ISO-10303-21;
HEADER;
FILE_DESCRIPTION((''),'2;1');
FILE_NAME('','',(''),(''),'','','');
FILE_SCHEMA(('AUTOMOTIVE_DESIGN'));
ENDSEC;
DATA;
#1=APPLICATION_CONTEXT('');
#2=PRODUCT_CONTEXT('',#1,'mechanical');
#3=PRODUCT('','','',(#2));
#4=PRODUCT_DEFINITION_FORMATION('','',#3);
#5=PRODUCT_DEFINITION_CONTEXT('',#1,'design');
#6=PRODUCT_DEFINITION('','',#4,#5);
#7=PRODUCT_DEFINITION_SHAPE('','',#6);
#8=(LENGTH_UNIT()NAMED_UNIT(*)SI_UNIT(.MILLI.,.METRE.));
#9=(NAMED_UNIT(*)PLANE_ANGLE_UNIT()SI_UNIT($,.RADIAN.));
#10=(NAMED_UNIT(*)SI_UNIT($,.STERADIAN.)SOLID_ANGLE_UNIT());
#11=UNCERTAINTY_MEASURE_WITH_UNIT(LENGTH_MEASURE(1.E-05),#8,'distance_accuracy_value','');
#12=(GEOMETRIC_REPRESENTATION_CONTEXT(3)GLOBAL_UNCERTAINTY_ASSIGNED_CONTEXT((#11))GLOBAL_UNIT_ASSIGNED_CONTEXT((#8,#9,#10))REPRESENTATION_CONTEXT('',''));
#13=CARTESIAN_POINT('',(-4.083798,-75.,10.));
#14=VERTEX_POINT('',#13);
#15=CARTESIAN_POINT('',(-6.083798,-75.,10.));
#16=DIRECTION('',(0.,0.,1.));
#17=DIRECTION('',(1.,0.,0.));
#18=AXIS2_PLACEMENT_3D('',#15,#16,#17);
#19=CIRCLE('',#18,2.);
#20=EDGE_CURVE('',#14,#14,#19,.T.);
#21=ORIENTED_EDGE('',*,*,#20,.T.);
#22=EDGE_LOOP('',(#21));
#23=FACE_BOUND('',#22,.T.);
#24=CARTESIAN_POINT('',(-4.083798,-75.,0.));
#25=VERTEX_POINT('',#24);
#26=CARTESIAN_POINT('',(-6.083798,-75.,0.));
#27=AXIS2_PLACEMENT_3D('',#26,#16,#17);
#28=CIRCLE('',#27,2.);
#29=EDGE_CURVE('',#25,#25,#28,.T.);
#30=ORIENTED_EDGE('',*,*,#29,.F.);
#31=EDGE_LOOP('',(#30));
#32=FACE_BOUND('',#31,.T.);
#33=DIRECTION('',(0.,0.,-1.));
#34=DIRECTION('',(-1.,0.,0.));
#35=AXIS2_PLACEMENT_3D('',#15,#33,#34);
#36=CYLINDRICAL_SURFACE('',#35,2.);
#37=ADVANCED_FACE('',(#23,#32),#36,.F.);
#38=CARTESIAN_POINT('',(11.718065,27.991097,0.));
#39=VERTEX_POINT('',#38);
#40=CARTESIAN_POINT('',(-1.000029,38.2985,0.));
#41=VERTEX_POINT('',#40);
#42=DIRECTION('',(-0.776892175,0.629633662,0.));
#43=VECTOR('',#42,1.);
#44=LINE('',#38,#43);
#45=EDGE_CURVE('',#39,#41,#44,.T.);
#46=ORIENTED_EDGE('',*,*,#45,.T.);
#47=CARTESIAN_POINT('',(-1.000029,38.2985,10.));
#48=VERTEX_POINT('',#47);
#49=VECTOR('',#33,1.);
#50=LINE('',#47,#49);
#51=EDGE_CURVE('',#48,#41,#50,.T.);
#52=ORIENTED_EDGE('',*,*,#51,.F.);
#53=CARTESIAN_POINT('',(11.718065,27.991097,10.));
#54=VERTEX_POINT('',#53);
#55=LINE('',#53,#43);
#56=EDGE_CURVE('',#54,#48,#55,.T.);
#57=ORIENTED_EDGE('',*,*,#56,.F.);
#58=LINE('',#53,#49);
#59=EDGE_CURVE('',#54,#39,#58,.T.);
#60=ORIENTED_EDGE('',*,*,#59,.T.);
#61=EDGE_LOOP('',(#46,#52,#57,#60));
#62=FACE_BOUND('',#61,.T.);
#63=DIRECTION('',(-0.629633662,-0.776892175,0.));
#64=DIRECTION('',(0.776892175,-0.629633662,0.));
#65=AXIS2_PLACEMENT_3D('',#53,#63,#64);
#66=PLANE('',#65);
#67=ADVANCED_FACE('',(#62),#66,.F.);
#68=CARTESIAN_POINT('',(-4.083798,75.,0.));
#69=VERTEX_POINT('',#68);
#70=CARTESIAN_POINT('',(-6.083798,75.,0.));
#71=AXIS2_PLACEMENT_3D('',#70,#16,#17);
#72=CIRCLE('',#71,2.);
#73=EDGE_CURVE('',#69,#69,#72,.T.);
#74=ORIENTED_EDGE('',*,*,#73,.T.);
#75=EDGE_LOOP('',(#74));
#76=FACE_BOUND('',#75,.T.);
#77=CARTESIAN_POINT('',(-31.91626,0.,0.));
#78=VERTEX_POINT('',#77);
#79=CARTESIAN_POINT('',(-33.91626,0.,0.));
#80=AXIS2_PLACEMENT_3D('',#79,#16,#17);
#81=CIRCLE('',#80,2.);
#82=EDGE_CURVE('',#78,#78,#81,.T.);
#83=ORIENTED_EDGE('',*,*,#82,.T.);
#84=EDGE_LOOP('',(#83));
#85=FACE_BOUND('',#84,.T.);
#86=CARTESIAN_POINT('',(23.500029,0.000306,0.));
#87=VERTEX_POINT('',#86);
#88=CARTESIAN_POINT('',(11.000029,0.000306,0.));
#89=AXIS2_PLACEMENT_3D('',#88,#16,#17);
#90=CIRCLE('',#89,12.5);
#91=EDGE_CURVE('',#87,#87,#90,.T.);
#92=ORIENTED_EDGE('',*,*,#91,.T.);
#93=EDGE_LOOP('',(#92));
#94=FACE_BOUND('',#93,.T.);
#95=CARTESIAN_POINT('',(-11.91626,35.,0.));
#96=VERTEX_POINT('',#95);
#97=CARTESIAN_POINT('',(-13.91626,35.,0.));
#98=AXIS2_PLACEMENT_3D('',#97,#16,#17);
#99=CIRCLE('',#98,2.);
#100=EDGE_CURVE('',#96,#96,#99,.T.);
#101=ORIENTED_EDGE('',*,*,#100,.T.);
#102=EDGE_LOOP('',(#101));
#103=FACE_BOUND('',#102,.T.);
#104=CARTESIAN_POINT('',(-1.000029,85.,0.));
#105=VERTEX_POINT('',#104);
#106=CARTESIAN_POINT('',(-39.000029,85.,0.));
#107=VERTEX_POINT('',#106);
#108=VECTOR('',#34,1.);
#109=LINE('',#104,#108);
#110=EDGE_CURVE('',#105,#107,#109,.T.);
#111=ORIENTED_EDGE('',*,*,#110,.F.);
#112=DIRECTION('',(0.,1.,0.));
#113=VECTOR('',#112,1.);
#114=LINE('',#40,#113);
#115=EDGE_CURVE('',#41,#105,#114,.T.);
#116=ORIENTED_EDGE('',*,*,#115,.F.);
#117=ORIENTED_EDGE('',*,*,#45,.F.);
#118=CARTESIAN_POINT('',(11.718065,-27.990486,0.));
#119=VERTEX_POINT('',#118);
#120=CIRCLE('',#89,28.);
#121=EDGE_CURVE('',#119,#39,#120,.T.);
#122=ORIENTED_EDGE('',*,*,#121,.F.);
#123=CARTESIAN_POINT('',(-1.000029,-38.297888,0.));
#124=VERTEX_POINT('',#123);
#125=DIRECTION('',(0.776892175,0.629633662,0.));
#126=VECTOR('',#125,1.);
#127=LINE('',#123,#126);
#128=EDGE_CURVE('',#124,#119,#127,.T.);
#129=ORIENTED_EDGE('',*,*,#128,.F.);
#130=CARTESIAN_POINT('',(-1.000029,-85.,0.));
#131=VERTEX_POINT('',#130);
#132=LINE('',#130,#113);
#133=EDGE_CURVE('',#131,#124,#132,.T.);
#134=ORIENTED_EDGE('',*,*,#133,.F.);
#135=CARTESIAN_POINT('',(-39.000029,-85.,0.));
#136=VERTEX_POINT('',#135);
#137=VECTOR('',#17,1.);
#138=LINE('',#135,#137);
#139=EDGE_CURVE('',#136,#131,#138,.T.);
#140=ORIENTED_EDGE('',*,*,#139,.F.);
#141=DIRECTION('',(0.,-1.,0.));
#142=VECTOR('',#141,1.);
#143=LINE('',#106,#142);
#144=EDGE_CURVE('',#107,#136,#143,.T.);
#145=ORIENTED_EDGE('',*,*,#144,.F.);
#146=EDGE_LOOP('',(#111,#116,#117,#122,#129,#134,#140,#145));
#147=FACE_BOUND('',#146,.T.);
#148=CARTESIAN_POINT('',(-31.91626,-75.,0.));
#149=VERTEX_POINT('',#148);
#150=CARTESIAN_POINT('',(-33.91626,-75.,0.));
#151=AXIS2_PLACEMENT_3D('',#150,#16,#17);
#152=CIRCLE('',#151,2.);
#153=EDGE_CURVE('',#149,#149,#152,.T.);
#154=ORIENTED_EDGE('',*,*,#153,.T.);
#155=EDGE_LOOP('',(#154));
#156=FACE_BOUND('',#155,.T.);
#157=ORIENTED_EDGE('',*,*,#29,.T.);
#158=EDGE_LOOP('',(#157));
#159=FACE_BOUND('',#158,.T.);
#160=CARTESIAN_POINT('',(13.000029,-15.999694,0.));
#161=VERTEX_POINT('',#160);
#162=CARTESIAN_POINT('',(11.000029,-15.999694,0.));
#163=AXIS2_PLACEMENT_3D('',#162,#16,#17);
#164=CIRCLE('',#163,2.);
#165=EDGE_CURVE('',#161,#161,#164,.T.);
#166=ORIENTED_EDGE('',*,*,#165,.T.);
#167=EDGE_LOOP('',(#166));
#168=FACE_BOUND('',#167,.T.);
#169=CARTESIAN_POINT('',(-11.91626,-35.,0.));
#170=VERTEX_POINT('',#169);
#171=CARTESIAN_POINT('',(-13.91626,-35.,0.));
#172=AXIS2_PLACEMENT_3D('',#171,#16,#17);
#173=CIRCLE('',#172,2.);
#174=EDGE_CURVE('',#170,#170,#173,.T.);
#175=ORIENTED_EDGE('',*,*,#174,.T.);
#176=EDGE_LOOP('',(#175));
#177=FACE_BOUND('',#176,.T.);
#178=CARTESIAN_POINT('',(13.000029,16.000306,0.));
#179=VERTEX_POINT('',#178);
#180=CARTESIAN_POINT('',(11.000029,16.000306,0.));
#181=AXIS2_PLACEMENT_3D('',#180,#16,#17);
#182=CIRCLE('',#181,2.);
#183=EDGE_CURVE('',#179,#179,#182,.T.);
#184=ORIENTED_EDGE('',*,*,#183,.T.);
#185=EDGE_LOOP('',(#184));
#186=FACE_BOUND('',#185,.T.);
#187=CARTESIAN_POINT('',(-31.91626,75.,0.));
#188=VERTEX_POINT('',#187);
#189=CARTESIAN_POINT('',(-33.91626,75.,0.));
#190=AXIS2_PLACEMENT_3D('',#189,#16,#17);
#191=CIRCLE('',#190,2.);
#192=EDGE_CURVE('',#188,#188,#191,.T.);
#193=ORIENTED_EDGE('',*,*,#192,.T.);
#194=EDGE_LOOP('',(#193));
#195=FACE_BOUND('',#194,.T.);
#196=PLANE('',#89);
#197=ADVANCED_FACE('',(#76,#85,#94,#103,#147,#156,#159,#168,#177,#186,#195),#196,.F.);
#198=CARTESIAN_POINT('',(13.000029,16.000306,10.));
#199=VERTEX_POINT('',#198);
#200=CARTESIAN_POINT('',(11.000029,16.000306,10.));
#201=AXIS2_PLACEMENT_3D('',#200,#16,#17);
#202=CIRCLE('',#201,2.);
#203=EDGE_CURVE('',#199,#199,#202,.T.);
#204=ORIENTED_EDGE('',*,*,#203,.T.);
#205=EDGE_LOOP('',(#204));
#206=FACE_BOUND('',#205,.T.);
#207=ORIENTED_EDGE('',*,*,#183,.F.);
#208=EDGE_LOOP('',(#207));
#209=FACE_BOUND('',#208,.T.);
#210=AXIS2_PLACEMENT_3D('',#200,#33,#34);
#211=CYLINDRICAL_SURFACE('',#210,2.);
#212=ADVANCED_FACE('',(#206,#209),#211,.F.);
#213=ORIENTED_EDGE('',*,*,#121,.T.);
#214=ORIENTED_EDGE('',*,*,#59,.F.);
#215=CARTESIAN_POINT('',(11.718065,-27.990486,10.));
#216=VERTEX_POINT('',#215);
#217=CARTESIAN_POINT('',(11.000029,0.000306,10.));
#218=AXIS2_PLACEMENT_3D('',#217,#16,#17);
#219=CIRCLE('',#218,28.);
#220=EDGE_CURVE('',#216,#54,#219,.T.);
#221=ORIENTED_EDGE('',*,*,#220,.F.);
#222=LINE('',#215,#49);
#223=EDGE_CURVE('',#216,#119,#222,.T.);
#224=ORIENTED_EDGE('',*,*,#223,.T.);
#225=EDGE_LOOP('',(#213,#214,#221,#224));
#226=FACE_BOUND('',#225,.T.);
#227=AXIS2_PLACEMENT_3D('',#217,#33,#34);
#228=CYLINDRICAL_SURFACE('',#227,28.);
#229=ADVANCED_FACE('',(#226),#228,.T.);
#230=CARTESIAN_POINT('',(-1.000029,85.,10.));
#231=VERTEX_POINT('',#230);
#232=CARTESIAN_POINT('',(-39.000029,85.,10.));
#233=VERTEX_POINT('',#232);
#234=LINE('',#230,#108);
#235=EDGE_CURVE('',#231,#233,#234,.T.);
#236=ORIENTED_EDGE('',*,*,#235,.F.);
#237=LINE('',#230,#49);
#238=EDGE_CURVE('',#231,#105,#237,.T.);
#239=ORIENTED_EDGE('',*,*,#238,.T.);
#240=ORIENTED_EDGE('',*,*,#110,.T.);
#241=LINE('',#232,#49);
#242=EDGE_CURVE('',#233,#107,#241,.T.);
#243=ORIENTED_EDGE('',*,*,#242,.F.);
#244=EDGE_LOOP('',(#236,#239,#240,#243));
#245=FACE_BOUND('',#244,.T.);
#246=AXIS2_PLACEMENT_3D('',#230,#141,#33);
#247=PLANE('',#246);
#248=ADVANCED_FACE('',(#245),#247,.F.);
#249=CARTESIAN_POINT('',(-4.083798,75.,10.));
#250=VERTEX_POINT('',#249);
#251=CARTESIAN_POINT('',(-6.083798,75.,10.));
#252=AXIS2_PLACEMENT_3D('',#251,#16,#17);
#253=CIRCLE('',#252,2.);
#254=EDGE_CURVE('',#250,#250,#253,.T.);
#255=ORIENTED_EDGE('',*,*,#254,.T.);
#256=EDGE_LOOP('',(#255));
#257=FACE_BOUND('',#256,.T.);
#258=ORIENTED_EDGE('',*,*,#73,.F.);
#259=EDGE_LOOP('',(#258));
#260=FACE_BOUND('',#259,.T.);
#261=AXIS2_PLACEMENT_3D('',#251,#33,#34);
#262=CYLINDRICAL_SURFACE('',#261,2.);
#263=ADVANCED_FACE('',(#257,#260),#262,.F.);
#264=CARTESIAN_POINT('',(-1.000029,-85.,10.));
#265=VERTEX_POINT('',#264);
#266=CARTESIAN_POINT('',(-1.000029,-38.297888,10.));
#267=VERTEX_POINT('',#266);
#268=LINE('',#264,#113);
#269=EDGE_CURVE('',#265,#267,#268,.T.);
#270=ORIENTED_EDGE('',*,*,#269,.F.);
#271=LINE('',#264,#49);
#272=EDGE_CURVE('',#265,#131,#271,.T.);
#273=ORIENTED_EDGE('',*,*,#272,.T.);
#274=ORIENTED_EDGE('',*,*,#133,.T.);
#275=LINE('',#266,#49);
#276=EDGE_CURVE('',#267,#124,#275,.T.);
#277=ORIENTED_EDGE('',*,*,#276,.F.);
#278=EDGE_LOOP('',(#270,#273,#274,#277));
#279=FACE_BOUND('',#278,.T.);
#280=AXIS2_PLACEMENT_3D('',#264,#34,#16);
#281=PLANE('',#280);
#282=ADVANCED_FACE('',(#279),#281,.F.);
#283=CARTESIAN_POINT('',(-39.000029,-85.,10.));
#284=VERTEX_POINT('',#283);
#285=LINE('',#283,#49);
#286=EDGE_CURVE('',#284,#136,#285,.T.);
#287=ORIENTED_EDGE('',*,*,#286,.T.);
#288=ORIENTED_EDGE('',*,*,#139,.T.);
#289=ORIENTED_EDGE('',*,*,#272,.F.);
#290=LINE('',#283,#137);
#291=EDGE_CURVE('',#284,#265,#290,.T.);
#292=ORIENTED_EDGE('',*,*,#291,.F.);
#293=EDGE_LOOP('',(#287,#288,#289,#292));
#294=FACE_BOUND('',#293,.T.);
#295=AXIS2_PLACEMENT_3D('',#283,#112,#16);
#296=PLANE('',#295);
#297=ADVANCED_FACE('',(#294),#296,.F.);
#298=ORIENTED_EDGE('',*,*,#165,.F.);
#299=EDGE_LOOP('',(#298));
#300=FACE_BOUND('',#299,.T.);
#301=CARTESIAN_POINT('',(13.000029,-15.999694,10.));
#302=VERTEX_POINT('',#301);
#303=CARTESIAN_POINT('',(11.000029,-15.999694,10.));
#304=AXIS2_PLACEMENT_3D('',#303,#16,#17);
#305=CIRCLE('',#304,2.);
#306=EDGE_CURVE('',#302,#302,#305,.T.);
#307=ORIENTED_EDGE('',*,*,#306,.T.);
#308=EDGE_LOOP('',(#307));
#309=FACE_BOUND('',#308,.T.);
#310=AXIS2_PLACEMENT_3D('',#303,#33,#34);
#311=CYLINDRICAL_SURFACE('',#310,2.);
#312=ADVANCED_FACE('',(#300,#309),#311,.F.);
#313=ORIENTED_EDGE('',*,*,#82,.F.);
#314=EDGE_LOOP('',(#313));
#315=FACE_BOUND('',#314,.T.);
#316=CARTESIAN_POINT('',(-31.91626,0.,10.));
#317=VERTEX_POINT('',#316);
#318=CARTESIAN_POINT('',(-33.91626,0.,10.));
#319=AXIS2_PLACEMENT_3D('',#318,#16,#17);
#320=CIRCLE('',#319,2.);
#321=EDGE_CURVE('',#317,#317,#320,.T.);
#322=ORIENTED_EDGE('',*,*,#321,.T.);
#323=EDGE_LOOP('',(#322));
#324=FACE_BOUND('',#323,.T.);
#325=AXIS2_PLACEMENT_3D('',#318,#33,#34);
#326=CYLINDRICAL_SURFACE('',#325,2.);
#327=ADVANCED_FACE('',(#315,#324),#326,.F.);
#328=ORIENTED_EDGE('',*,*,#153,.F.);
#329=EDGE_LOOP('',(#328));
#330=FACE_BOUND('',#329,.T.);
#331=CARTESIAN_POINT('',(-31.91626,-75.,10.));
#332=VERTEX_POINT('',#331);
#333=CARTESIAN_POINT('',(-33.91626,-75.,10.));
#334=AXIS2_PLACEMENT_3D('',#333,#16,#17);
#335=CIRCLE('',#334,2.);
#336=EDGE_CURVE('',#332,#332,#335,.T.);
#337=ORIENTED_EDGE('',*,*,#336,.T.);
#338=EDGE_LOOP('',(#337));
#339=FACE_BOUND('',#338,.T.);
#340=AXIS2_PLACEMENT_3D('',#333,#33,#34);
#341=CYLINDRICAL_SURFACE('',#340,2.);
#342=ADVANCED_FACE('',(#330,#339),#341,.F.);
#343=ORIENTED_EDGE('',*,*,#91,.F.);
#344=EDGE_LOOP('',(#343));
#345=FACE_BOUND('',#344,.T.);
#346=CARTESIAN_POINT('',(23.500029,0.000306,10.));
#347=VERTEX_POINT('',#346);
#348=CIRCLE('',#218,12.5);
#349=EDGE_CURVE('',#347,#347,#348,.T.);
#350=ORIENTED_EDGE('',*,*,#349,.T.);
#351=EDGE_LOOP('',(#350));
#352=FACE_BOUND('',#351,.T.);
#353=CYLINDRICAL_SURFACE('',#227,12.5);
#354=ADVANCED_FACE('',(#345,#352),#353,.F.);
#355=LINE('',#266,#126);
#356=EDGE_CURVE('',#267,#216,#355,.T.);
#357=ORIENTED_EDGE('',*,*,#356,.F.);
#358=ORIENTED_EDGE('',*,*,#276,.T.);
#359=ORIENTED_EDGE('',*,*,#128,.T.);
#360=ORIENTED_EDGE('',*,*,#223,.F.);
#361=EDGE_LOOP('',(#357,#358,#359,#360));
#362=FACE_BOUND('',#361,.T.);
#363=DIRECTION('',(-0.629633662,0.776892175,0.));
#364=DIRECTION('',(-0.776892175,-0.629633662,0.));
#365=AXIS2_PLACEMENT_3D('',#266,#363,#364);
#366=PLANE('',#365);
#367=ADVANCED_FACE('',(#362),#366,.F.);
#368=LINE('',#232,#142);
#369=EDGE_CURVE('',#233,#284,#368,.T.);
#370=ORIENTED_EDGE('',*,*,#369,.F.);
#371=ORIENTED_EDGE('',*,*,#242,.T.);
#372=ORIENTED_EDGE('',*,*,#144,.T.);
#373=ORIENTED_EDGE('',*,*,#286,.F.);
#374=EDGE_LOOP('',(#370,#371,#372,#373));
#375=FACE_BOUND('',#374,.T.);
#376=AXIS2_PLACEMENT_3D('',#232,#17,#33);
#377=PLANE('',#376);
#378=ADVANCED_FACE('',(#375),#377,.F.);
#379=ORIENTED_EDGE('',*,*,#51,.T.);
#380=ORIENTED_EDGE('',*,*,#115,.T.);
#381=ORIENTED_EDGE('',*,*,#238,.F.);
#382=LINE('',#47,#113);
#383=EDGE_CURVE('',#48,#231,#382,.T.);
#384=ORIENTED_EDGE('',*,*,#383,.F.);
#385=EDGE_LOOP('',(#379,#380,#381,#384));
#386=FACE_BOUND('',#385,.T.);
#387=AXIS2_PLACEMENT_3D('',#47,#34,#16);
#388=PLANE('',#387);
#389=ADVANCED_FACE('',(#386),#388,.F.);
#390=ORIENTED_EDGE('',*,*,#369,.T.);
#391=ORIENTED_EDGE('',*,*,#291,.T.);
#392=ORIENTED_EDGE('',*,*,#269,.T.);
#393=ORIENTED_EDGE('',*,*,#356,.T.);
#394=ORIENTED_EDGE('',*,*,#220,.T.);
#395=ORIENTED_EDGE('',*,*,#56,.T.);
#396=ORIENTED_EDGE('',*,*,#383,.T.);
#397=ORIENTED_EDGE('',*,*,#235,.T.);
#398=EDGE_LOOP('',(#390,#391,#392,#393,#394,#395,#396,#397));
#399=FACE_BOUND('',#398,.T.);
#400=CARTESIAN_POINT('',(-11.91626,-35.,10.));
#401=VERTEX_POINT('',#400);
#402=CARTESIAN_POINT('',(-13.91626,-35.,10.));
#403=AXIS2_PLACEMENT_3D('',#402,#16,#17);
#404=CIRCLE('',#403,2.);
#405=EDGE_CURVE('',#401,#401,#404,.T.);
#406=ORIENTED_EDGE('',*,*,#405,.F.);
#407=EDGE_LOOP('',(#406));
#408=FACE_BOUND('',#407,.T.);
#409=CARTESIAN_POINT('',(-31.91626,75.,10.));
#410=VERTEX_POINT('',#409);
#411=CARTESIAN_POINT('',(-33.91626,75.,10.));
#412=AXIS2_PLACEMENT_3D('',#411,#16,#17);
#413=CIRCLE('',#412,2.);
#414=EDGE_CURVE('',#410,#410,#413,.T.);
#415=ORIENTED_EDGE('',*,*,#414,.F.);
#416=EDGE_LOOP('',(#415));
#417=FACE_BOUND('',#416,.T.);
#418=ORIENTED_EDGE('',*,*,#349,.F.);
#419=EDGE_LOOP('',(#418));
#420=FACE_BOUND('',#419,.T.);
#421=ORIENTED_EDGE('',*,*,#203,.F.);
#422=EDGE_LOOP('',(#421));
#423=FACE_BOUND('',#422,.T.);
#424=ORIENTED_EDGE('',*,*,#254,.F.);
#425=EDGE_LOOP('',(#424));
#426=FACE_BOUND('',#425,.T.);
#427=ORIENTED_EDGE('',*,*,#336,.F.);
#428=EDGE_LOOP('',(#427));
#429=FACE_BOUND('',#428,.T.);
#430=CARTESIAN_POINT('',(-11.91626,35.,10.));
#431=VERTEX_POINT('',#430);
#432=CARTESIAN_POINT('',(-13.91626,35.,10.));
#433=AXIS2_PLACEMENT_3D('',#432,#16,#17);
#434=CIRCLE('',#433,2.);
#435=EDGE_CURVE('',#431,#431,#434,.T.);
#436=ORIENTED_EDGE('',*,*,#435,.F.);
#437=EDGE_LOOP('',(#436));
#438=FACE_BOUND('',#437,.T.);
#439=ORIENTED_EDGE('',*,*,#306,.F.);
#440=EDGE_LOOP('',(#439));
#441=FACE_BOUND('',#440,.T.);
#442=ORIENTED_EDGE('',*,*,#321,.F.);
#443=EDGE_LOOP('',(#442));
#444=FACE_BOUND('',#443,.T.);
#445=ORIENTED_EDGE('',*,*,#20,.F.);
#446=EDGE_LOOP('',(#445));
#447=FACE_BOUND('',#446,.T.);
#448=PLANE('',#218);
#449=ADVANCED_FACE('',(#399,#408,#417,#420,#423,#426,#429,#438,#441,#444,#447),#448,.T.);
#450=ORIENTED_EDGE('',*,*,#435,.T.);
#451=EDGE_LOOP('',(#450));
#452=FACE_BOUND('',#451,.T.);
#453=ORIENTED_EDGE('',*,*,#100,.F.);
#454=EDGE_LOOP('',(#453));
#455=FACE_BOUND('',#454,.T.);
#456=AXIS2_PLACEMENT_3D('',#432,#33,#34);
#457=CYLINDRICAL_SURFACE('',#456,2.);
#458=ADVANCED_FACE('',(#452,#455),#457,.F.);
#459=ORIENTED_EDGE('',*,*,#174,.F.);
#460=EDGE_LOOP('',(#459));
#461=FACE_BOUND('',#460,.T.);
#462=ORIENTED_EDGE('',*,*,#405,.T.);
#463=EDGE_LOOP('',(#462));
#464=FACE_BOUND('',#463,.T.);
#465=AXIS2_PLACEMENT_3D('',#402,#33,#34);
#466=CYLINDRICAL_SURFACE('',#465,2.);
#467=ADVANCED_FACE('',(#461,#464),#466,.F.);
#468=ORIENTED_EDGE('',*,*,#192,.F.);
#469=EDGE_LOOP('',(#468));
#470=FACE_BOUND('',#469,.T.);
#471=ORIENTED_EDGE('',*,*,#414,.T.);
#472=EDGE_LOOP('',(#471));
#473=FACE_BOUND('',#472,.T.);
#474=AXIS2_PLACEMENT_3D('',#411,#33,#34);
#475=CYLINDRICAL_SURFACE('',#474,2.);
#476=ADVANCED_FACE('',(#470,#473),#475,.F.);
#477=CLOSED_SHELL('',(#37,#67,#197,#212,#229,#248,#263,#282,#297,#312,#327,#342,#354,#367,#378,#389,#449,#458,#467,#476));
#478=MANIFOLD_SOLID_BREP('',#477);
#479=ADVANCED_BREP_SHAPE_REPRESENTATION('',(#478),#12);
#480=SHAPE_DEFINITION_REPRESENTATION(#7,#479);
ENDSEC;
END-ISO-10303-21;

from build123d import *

# Parameters (mm, degrees)
SKETCH1_R           = 2
SKETCH1_R_2         = 12.5
BOSS_EXTRUDE1_DEPTH = 10


with BuildPart() as part:
    # Sketch1 → Boss-Extrude1 (new body)
    with BuildSketch(Plane.XY):
        with BuildLine():
            Line((-1.000028724, -38.297888442), (11.718065373, -27.990486171))
            ThreePointArc((11.718065373, -27.990486171), (39.000028724, 0.00030559), (11.718065373, 27.99109735))
            Line((11.718065373, 27.99109735), (-1.000028724, 38.298499621))
            Line((-1.000028724, 38.298499621), (-1.000028724, 85))
            Line((-1.000028724, 85), (-39.000028724, 85))
            Line((-39.000028724, 85), (-39.000028724, -85))
            Line((-39.000028724, -85), (-1.000028724, -85))
            Line((-1.000028724, -85), (-1.000028724, -38.297888442))
        make_face()
        with Locations((-13.916259829, -35)):
            Circle(SKETCH1_R, mode=Mode.SUBTRACT)
        with Locations((-13.916259829, 35)):
            Circle(SKETCH1_R, mode=Mode.SUBTRACT)
        with Locations((11.000028724, 0.00030559)):
            Circle(SKETCH1_R_2, mode=Mode.SUBTRACT)
        with Locations((-6.083797619, 75)):
            Circle(SKETCH1_R, mode=Mode.SUBTRACT)
        with Locations((-6.083797619, -75)):
            Circle(SKETCH1_R, mode=Mode.SUBTRACT)
        with Locations((-33.916259829, 75)):
            Circle(SKETCH1_R, mode=Mode.SUBTRACT)
        with Locations((-33.916259829, 0)):
            Circle(SKETCH1_R, mode=Mode.SUBTRACT)
        with Locations((11.000028724, -15.99969441)):
            Circle(SKETCH1_R, mode=Mode.SUBTRACT)
        with Locations((11.000028724, 16.00030559)):
            Circle(SKETCH1_R, mode=Mode.SUBTRACT)
        with Locations((-33.916259829, -75)):
            Circle(SKETCH1_R, mode=Mode.SUBTRACT)
    extrude(amount=BOSS_EXTRUDE1_DEPTH)


solid = part.part
